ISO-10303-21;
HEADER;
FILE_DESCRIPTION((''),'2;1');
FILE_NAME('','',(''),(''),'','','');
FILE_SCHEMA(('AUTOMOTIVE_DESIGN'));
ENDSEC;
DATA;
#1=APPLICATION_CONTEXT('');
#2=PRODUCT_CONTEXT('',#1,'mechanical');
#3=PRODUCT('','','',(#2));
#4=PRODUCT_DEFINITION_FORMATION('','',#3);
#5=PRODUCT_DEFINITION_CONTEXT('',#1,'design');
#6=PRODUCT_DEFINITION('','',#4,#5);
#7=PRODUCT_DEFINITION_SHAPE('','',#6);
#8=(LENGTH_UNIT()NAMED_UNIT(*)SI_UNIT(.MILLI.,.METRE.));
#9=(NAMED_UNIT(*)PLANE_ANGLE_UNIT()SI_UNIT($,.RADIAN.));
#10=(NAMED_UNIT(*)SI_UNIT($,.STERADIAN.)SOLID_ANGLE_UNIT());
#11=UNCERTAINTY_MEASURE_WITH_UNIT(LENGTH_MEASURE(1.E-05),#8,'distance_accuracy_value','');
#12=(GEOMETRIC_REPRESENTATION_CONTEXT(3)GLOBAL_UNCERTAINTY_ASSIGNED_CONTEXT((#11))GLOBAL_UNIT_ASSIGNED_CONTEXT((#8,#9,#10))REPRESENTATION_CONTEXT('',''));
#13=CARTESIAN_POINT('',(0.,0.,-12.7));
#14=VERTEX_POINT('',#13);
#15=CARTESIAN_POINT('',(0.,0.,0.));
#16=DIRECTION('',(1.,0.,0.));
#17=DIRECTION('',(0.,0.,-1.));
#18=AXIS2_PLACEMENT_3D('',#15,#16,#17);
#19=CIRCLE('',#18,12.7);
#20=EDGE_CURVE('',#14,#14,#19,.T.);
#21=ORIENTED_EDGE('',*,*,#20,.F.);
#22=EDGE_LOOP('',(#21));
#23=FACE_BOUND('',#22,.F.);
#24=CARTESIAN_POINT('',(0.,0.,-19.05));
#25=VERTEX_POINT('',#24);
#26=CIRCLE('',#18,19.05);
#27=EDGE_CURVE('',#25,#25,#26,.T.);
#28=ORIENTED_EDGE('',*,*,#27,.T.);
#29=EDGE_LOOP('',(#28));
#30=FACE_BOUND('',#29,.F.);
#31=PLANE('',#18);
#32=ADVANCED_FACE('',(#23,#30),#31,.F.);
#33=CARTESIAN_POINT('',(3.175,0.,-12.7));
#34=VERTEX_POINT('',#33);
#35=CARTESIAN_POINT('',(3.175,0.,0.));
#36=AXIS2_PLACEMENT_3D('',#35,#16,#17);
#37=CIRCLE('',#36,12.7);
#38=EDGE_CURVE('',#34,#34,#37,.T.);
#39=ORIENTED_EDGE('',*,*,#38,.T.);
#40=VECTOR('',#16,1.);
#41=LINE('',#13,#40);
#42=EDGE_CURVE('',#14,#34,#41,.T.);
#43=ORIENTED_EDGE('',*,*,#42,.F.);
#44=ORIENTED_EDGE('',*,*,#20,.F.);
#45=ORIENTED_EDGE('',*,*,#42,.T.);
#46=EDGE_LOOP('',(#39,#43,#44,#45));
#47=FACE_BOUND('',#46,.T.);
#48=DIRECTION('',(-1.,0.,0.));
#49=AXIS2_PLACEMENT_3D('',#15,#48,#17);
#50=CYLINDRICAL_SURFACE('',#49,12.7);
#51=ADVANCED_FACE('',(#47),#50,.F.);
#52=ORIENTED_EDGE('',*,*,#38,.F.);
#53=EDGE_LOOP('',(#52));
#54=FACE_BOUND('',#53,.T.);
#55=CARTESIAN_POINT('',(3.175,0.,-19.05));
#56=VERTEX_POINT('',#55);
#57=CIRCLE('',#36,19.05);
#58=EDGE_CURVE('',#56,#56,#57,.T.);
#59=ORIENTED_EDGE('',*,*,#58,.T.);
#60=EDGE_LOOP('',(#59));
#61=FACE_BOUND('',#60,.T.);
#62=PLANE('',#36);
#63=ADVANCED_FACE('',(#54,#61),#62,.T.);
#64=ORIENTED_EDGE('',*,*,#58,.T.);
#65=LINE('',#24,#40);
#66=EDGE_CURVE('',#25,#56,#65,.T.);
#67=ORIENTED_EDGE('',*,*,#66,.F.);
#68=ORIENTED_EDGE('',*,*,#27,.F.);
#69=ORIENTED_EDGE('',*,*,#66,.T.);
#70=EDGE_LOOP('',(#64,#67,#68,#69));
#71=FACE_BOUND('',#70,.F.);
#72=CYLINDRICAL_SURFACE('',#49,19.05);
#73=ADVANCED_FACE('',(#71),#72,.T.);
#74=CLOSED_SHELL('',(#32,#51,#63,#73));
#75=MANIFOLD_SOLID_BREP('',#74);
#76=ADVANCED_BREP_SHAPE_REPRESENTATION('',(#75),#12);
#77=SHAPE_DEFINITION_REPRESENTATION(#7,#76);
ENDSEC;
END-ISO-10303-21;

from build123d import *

# Parameters (mm, degrees)
SKETCH1_R           = 19.05
SKETCH1_R_2         = 12.7
BOSS_EXTRUDE1_DEPTH = 3.175


with BuildPart() as part:
    # Sketch1 → Boss-Extrude1 (new body)
    with BuildSketch(Plane(origin=(0, 0, 0), x_dir=(0, 0, -1), z_dir=(1, 0, 0))):
        Circle(SKETCH1_R)
        Circle(SKETCH1_R_2, mode=Mode.SUBTRACT)
    extrude(amount=BOSS_EXTRUDE1_DEPTH)


solid = part.part
